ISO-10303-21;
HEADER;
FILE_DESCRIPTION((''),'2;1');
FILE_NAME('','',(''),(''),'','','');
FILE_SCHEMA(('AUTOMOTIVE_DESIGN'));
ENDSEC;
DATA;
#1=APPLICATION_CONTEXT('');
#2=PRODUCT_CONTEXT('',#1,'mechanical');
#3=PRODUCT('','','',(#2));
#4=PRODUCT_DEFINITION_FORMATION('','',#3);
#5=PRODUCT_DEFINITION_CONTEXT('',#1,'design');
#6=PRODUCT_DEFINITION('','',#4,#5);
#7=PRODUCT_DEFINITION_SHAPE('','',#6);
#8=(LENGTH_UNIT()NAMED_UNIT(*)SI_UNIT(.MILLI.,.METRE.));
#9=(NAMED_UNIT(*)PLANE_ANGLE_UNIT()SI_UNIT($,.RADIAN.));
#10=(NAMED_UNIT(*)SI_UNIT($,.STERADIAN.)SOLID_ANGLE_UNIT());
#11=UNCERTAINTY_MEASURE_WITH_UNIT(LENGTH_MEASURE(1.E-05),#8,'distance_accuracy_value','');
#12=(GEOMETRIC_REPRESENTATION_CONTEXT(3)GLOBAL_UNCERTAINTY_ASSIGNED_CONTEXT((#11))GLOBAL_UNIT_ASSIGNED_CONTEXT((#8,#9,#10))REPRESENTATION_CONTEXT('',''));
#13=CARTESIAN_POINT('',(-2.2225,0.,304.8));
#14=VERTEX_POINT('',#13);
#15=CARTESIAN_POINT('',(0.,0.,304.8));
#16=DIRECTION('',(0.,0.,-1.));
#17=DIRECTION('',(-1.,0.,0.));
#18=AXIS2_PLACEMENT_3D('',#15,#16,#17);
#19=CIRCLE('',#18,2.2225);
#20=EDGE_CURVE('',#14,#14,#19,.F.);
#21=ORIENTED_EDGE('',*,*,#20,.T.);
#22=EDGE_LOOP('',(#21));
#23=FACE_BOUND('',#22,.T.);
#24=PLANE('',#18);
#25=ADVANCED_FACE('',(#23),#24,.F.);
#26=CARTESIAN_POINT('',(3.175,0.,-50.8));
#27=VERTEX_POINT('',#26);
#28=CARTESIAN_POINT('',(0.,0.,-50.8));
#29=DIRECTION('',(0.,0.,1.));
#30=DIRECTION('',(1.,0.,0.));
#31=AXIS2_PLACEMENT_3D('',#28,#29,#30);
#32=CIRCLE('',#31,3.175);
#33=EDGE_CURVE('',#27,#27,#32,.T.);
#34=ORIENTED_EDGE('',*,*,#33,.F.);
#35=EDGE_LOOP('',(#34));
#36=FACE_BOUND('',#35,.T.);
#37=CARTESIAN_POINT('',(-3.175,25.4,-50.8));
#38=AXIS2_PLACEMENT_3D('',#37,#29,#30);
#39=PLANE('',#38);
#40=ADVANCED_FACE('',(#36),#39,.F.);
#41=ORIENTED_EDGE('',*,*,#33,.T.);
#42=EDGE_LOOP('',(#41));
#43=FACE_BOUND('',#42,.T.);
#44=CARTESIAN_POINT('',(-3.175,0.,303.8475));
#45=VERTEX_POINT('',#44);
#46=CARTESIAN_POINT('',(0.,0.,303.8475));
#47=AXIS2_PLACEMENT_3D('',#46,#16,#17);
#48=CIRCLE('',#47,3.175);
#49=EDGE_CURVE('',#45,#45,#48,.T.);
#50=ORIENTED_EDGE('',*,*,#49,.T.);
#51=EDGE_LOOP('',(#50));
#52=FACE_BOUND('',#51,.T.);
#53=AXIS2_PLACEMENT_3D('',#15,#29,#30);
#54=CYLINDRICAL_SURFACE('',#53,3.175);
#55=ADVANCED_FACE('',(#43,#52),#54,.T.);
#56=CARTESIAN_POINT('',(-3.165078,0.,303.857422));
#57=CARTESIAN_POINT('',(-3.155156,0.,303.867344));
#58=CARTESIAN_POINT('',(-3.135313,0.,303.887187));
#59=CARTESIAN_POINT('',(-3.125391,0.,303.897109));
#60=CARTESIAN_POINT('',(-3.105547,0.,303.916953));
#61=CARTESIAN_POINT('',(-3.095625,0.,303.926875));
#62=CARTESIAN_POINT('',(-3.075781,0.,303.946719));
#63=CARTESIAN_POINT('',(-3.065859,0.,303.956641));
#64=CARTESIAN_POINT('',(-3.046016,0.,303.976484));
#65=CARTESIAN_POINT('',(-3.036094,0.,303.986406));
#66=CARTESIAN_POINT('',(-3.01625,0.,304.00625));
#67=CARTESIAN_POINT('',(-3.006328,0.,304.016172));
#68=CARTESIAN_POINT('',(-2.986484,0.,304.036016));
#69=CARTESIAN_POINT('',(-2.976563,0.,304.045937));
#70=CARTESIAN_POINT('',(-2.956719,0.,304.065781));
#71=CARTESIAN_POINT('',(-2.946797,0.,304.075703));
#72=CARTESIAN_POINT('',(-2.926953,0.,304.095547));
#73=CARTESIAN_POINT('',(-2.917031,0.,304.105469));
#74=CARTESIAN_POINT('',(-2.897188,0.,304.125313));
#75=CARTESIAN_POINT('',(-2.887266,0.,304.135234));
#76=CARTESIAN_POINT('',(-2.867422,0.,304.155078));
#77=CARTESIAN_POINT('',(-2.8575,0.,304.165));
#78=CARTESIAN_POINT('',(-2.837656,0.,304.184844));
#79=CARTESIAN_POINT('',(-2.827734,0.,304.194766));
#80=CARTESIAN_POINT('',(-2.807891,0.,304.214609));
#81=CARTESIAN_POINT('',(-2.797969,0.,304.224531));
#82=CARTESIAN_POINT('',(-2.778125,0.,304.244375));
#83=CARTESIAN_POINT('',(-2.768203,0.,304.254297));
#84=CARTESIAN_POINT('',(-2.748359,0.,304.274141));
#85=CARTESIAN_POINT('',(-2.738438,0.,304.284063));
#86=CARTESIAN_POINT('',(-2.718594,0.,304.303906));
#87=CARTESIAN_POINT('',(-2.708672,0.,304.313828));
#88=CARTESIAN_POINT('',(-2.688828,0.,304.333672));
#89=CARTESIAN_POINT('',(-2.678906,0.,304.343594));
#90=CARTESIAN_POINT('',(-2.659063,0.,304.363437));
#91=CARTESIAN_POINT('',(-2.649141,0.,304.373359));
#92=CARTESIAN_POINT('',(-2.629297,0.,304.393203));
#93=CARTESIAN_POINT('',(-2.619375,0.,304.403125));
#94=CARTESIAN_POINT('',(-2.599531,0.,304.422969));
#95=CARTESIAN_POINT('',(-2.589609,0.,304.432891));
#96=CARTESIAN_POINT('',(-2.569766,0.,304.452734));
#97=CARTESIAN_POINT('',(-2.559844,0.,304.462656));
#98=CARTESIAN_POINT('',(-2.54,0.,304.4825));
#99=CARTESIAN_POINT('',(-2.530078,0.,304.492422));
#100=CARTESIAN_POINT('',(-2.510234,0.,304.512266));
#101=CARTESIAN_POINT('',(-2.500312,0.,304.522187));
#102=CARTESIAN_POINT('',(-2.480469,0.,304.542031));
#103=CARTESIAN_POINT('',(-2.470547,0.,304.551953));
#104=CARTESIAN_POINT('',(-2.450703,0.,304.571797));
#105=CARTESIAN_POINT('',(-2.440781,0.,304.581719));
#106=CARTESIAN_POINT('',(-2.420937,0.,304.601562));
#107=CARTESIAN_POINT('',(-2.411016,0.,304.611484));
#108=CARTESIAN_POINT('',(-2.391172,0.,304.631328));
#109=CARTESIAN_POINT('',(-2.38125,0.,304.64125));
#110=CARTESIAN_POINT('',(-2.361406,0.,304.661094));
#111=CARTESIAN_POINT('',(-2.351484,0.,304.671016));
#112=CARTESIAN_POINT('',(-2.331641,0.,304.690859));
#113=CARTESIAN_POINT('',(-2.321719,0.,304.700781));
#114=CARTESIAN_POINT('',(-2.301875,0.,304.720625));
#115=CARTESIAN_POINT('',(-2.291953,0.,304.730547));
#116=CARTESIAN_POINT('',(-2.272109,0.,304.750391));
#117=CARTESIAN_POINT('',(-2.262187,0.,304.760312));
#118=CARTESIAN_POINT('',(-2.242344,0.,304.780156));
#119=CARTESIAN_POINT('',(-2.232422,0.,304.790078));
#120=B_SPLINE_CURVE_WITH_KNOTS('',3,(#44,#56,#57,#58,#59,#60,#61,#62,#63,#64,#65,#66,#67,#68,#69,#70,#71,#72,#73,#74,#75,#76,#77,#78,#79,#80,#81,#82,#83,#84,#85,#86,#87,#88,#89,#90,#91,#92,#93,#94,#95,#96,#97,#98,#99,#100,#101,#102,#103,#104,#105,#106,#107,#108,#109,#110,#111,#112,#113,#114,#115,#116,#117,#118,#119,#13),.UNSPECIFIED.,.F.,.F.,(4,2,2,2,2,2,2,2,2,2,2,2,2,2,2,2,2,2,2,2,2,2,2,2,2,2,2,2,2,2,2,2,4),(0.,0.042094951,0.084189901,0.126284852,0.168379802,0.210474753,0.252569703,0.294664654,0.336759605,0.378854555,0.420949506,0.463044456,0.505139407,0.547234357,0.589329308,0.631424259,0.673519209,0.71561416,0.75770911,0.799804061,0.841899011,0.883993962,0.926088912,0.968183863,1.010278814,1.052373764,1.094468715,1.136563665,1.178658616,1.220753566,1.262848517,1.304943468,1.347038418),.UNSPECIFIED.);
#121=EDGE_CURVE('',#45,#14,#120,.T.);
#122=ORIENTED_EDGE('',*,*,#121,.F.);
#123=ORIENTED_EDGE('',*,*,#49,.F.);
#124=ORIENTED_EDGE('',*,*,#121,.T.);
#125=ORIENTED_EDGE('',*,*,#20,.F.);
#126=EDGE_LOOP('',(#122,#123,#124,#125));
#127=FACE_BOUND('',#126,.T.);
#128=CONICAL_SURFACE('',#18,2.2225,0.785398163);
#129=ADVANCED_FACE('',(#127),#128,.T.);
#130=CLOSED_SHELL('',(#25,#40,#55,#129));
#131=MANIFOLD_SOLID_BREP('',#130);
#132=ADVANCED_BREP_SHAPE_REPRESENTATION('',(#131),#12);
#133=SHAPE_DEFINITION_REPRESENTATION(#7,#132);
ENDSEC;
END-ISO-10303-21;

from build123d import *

# Parameters (mm, degrees)
SKETCH2_W               = 609.6
SKETCH2_H               = 3.175
CHAMFER1_SIZE           = 0.9525
CUT_EXTRUDE1_DEPTH      = 305.833071123
CUT_EXTRUDE1_DEPTH_BACK = 305.833071123
SKETCH5_W               = 254
SKETCH5_H               = 50.8


with BuildPart() as part:
    # Sketch2 → Revolve1 (revolve)
    with BuildSketch(Plane(origin=(0, 0, 0), x_dir=(0, 0, -1), z_dir=(1, 0, 0))):
        with Locations((0, 1.5875)):
            Rectangle(SKETCH2_W, SKETCH2_H)
    revolve(axis=Axis((0, 0, 304.8), (0, 0, -1)))

    # Chamfer1
    chamfer1_edges = [part.edges().sort_by_distance(p)[0] for p in [
        (0, -3.175, -304.8),
        (0, -3.175, 304.8),
    ]]
    chamfer(chamfer1_edges, length=CHAMFER1_SIZE)

    # Sketch5 → Cut-Extrude1 (cut, two sides: drawn at the far end of the back side and taken through both)
    with BuildSketch(Plane(origin=(0, 0, 0), x_dir=(0, 0, -1), z_dir=(1, 0, 0)).offset(-CUT_EXTRUDE1_DEPTH_BACK)):
        with Locations((177.8, 0)):
            Rectangle(SKETCH5_W, SKETCH5_H)
    extrude(amount=CUT_EXTRUDE1_DEPTH + CUT_EXTRUDE1_DEPTH_BACK, mode=Mode.SUBTRACT)


solid = part.part
